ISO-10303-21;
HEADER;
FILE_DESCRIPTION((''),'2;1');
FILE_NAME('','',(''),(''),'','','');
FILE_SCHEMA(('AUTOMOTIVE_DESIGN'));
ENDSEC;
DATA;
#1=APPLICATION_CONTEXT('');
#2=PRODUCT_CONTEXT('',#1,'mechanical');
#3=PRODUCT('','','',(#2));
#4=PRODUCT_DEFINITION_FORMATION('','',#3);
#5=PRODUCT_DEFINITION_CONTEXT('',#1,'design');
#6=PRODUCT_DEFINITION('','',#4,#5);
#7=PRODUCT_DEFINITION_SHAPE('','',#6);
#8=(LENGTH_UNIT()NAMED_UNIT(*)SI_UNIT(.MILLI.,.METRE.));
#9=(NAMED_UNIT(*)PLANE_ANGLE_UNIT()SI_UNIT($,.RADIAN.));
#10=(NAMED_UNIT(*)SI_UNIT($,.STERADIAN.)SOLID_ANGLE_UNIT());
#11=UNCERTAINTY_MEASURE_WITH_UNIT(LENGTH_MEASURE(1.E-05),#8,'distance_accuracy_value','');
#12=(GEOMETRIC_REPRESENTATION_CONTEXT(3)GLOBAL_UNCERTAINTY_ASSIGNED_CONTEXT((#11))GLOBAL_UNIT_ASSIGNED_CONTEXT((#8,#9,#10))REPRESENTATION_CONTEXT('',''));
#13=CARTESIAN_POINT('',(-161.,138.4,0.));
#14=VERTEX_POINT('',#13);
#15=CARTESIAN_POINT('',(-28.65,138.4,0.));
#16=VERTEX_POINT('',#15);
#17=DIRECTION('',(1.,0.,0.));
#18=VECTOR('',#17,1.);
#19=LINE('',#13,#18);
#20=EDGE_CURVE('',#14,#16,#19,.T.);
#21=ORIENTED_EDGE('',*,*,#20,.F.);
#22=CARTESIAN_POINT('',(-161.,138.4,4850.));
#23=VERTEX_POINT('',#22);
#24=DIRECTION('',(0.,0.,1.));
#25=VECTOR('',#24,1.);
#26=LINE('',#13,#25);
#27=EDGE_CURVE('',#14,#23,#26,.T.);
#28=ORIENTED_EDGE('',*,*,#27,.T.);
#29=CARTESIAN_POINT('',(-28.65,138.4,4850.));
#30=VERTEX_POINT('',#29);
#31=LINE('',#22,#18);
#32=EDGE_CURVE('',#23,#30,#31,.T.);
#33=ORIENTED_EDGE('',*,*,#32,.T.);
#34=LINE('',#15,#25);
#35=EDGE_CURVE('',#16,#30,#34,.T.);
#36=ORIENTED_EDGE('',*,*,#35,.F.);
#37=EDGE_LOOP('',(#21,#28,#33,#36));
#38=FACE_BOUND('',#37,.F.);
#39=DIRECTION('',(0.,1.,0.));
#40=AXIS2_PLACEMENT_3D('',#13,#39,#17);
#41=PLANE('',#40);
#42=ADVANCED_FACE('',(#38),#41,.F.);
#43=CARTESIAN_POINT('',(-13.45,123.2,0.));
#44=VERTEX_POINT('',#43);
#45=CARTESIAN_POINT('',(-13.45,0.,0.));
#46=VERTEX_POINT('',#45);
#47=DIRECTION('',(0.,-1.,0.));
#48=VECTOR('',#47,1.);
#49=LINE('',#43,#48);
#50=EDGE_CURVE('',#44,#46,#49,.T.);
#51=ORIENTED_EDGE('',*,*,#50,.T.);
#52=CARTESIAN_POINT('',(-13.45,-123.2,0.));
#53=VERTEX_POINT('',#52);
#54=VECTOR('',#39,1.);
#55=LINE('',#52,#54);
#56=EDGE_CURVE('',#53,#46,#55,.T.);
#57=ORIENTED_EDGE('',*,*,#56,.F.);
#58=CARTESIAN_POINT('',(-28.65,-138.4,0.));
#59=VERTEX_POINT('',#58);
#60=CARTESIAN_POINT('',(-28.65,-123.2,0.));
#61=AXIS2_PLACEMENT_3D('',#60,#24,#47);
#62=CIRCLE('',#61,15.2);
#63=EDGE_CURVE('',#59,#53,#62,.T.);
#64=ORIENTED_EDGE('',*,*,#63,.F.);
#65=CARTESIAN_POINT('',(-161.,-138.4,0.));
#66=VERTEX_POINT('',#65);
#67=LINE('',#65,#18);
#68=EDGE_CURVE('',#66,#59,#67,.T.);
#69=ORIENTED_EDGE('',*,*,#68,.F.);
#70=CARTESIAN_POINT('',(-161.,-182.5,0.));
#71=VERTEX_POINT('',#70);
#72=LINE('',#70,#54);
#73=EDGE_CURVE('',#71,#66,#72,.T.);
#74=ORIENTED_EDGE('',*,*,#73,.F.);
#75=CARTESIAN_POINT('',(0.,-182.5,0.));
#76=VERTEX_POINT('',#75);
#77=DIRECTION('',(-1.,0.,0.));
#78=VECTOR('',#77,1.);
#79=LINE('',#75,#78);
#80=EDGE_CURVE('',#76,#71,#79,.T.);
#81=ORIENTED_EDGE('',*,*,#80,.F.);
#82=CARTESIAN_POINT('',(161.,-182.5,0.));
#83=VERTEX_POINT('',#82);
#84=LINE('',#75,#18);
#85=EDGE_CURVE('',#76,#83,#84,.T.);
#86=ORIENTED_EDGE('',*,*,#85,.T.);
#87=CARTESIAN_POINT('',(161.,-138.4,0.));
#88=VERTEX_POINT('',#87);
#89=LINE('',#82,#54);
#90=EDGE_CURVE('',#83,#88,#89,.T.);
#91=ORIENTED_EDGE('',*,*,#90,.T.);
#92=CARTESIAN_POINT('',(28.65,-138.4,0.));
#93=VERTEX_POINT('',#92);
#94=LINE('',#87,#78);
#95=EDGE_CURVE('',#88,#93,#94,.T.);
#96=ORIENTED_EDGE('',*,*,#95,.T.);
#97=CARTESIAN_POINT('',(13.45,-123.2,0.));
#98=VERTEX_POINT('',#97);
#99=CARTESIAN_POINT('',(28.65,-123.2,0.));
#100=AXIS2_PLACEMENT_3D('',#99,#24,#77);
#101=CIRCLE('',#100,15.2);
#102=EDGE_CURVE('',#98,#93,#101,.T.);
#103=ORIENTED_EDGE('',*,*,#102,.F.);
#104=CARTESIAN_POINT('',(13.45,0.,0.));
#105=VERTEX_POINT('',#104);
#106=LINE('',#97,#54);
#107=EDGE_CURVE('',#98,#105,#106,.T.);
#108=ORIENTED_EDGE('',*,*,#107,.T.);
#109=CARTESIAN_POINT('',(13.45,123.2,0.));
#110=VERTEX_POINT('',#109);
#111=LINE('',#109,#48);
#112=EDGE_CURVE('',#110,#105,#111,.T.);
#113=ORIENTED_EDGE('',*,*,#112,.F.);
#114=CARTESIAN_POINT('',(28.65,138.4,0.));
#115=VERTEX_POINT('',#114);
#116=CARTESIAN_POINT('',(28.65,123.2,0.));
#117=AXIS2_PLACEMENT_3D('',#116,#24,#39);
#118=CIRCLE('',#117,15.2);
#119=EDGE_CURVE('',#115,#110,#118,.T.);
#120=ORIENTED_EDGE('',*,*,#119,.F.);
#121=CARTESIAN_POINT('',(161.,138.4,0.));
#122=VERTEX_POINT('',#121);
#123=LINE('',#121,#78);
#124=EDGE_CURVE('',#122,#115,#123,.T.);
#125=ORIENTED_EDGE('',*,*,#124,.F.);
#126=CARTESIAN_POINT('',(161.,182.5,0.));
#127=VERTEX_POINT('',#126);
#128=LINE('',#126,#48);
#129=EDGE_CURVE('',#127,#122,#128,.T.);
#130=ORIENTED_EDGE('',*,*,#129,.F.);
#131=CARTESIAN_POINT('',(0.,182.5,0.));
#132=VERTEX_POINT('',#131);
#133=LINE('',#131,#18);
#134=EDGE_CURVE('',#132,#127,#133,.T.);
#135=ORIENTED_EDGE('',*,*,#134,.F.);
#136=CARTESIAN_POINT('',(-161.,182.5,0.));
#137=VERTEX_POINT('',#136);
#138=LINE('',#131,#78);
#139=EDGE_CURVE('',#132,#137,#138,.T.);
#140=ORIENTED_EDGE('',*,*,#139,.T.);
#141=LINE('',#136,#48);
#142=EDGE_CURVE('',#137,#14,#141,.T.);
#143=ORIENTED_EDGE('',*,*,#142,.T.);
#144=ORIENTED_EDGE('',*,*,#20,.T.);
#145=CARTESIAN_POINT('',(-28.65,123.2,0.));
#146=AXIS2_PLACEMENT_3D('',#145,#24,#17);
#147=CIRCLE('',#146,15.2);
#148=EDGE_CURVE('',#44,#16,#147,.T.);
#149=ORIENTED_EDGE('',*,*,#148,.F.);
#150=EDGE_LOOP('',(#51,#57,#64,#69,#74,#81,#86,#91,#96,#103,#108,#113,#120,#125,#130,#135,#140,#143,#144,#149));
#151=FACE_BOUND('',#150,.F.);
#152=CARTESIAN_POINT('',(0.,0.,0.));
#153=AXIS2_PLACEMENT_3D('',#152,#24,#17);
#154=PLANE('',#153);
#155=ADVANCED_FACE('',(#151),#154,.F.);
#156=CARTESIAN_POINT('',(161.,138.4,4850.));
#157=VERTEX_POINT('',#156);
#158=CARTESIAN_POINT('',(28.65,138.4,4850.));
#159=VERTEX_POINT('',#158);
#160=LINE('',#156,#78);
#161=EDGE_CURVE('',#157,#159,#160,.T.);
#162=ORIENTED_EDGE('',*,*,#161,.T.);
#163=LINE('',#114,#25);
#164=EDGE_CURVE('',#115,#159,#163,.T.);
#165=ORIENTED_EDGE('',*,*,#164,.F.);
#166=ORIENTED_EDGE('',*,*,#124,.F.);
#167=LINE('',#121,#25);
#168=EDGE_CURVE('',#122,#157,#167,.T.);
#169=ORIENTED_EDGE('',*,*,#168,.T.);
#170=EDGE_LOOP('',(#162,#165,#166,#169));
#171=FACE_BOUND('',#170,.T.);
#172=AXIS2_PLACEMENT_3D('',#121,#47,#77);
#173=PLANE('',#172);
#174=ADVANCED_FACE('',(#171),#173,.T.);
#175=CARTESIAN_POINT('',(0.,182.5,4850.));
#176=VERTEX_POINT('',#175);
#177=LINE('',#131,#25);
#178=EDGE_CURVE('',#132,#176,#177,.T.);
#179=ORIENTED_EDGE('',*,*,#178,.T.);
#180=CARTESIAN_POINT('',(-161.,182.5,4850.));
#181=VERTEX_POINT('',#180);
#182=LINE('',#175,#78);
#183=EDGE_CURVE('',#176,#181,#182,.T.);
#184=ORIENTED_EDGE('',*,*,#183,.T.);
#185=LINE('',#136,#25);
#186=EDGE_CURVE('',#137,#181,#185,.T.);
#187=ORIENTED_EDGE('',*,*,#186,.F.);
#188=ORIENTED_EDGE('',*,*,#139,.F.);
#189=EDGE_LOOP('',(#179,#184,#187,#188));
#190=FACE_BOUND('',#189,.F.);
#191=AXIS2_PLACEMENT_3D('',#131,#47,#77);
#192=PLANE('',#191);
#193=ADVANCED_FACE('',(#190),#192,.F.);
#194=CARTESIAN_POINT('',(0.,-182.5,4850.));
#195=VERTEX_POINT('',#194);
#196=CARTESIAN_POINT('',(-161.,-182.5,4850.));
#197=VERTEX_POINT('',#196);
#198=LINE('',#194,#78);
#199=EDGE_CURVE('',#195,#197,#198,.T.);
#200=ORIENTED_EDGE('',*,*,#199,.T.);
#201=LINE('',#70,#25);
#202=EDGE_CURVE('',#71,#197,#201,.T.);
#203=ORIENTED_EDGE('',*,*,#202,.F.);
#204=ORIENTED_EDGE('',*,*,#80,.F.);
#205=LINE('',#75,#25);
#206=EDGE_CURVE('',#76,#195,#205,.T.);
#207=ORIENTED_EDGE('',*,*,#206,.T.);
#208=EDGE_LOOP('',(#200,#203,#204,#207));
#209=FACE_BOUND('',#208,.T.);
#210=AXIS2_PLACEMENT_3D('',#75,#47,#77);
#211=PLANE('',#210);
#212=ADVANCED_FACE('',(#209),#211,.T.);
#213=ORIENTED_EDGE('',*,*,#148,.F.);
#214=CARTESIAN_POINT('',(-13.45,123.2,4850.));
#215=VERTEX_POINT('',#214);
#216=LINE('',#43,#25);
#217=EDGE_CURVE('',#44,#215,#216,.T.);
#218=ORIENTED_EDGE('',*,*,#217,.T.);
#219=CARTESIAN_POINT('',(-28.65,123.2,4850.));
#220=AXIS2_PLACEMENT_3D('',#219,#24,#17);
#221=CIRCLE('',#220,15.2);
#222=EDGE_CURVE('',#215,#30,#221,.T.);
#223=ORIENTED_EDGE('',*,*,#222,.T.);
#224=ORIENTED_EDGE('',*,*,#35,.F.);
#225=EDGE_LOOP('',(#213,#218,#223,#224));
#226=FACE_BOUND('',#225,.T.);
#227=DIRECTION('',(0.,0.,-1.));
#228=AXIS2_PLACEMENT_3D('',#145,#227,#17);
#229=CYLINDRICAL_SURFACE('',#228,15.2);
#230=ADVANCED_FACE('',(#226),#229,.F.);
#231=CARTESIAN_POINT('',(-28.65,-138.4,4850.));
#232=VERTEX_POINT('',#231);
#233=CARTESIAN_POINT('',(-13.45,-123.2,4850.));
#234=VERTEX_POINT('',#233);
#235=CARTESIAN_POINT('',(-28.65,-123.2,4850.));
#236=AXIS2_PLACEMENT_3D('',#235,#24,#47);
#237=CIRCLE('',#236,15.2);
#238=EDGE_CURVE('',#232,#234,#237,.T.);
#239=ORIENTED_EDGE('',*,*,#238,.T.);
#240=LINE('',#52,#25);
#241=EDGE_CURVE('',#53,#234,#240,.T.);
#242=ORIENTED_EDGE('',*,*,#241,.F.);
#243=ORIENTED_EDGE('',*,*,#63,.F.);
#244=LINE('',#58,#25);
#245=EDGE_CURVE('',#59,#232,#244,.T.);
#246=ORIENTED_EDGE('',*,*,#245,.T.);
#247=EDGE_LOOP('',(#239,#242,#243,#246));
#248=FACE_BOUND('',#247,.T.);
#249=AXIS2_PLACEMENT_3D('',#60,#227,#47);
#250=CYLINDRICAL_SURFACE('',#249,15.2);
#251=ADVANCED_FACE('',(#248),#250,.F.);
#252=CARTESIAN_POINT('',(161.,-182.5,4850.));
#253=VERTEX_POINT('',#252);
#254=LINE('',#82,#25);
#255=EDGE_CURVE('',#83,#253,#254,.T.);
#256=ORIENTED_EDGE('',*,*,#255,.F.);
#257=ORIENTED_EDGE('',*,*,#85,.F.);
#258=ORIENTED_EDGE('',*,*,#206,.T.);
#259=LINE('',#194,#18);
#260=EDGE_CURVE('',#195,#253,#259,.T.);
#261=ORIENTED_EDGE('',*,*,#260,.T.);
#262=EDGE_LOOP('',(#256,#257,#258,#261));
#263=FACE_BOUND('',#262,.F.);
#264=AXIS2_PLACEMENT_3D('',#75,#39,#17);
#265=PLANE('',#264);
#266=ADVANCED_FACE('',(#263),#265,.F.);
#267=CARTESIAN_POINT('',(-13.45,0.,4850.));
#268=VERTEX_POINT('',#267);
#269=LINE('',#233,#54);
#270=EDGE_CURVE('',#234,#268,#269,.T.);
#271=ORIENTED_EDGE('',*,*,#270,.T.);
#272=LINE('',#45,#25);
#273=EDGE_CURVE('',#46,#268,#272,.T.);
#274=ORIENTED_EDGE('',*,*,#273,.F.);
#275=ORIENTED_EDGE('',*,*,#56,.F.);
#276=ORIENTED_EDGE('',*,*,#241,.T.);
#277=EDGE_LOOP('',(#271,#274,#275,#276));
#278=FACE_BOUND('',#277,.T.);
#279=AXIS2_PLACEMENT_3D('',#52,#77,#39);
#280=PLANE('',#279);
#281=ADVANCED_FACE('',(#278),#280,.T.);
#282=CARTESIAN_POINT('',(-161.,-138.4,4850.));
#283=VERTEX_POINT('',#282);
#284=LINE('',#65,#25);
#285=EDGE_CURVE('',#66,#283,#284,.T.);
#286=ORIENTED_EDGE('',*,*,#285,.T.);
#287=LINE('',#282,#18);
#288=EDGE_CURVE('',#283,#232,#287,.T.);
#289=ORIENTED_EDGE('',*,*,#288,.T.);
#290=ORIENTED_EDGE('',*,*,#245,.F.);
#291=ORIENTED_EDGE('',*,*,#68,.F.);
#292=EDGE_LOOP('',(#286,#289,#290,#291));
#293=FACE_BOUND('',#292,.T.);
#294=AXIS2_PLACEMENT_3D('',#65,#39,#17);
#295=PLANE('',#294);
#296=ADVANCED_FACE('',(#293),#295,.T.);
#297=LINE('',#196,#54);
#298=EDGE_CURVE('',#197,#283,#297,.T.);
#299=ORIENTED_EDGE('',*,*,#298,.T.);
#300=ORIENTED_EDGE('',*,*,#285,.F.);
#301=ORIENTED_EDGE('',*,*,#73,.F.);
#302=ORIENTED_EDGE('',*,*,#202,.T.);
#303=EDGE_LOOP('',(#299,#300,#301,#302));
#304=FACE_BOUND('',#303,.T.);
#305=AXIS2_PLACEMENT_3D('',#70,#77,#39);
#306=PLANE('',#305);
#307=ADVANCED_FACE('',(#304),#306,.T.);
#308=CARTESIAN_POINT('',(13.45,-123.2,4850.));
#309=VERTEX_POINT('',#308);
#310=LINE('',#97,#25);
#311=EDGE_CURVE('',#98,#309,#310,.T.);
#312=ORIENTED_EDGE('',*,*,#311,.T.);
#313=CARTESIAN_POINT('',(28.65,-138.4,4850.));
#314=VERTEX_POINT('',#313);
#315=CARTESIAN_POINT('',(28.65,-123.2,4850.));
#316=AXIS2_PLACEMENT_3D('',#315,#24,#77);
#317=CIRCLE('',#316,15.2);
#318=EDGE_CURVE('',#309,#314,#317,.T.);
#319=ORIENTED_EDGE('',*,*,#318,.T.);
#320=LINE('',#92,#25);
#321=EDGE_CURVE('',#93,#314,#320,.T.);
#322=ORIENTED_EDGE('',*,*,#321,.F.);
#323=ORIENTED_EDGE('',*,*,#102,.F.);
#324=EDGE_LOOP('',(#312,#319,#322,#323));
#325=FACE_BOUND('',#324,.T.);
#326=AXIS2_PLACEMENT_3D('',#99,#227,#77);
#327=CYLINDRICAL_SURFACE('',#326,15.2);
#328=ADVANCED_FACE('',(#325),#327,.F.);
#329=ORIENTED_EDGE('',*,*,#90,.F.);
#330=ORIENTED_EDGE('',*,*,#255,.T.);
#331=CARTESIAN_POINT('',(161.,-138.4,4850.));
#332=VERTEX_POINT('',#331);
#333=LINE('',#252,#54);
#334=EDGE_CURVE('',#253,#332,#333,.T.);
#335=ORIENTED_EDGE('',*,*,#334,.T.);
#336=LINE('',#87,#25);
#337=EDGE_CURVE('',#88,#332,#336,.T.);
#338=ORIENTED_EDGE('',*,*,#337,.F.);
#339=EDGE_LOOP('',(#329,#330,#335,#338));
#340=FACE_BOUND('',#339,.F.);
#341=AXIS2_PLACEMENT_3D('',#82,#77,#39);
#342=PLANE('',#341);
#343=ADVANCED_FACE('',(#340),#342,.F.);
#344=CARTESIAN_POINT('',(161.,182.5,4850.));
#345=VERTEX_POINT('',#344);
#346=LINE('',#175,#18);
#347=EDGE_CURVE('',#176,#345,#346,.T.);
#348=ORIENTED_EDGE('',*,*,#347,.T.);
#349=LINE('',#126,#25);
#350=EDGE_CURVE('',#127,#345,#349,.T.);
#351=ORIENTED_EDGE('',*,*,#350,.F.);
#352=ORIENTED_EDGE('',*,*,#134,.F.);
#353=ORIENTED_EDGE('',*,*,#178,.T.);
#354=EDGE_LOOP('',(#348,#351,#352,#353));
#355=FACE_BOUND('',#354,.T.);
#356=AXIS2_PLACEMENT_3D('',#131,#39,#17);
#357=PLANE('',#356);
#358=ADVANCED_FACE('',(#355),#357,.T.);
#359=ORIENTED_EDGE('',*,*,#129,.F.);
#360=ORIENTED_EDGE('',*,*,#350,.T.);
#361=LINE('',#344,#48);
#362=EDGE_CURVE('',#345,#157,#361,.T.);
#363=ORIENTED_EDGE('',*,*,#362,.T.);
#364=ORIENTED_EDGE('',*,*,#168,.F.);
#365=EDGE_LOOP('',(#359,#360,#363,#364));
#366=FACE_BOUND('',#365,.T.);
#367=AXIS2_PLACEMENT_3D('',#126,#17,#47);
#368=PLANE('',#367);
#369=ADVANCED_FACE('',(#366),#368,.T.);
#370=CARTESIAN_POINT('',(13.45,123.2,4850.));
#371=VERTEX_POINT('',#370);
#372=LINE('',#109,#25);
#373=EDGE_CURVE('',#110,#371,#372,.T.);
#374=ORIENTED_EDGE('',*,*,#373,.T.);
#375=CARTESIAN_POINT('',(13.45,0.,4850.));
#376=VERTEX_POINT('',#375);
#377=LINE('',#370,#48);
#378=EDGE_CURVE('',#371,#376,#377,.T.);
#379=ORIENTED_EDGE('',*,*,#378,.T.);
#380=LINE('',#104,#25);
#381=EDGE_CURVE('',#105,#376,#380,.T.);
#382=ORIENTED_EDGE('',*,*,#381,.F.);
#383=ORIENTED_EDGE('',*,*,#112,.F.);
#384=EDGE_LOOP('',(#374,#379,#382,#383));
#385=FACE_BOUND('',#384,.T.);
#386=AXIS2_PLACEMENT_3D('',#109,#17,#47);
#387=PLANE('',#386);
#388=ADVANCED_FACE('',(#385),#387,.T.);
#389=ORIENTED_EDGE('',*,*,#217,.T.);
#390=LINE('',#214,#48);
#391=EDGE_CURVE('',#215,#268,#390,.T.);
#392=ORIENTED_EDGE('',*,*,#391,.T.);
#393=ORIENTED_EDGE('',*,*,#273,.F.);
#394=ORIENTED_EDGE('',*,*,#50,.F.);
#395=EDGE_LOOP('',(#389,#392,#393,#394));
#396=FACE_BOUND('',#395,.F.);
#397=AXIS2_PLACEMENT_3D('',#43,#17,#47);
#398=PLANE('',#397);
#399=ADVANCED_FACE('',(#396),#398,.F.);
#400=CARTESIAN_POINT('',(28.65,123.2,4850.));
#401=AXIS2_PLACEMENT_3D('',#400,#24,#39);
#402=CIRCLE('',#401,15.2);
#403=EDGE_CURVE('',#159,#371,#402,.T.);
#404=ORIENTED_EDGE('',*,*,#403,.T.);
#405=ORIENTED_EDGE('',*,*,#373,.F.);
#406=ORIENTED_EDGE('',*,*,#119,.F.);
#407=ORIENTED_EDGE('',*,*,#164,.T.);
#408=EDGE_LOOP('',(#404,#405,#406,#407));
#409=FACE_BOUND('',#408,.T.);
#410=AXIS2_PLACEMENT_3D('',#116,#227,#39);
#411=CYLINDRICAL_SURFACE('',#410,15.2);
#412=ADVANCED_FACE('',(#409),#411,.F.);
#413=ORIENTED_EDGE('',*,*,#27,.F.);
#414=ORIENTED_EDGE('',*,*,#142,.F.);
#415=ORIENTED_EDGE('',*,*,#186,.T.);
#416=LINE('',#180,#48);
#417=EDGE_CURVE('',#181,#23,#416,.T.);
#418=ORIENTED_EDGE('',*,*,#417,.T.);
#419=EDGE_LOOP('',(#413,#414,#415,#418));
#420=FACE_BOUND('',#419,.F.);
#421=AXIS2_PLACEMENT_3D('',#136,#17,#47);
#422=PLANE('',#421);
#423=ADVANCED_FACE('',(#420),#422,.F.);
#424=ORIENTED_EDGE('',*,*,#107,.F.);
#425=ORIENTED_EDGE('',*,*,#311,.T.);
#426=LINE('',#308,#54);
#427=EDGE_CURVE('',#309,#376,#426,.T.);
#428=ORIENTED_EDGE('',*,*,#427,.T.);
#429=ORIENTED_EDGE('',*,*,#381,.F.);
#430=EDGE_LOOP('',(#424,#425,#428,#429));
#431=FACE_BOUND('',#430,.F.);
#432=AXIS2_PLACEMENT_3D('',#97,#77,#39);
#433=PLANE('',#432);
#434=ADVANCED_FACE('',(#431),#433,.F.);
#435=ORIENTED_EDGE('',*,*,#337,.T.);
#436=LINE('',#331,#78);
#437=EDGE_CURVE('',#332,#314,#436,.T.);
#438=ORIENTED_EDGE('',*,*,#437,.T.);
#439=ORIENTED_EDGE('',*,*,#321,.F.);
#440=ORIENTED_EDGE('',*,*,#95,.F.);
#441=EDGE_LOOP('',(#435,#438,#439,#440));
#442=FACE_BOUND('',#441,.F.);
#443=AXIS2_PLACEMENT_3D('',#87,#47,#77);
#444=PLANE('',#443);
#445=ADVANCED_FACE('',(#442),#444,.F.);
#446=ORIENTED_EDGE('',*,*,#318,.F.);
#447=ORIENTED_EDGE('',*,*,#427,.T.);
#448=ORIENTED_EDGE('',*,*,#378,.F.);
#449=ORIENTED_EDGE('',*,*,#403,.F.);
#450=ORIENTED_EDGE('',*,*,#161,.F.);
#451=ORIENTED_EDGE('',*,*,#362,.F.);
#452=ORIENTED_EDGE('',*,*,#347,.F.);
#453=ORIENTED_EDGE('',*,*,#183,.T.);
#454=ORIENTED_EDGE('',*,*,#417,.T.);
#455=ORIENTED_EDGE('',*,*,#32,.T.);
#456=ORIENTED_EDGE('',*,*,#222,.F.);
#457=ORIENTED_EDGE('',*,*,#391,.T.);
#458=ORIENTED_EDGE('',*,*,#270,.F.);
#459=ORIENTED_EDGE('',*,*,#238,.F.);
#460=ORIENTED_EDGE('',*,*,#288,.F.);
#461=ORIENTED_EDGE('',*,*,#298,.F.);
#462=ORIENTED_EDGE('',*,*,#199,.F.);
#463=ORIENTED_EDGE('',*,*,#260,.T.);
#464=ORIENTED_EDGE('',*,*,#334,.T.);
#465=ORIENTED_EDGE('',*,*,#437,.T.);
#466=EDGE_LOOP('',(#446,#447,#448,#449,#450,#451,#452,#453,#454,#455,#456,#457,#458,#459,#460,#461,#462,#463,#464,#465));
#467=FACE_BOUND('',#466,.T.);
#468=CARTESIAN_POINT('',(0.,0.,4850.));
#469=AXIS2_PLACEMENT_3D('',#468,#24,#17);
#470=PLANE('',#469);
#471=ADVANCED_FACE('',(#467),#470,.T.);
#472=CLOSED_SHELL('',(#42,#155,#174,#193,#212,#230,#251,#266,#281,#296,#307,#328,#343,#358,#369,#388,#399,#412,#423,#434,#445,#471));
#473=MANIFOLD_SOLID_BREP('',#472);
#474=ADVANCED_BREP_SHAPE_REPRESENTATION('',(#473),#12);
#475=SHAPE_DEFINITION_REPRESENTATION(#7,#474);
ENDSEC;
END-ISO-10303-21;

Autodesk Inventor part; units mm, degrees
ref_plane "YZ Plane" through (0, 0, 0) normal (1, 0, 0) x (0, 1, 0)
ref_plane "Start plane" through (0, 0, 0) normal (0, 0, 1) x (1, 0, 0)
ref_plane "End plane" through (0, 0, 4850) normal (0, 0, 1) x (1, 0, 0)
sketch "Sketch" plane through (0, 0, 0) normal (0, 0, 1) x (1, 0, 0)
  line L0 (-161, -182.5) -> (-161, -138.4)
  line L1 (-161, -138.4) -> (-28.65, -138.4)
  line L2 (-13.45, -123.2) -> (-13.45, 0)
  line L3 (-13.45, 0) -> (0, 0) construction
  line L4 (0, 0) -> (0, -182.5) construction
  line L5 (0, -182.5) -> (-161, -182.5)
  line L6 (-60, 0) -> (80, 0) construction
  line L7 (0, -60) -> (0, 80) construction
  line L8 (161, -182.5) -> (161, -138.4)
  line L9 (161, -138.4) -> (28.65, -138.4)
  line L10 (13.45, -123.2) -> (13.45, 0)
  line L11 (13.45, 0) -> (0, 0) construction
  line L12 (0, -182.5) -> (161, -182.5)
  line L13 (-161, 182.5) -> (-161, 138.4)
  line L14 (-161, 138.4) -> (-28.65, 138.4)
  line L15 (-13.45, 123.2) -> (-13.45, 0)
  line L16 (0, 182.5) -> (-161, 182.5)
  line L17 (161, 182.5) -> (161, 138.4)
  line L18 (161, 138.4) -> (28.65, 138.4)
  line L19 (0, 182.5) -> (161, 182.5)
  line L20 (13.45, 123.2) -> (13.45, 0)
  arc A0 (-13.45, 123.2) -> (-28.65, 138.4) centre (-28.65, 123.2) ccw
  arc A1 (28.65, 138.4) -> (13.45, 123.2) centre (28.65, 123.2) ccw
  arc A2 (13.45, -123.2) -> (28.65, -138.4) centre (28.65, -123.2) ccw
  arc A3 (-28.65, -138.4) -> (-13.45, -123.2) centre (-28.65, -123.2) ccw
  line L21 (0, 108) -> (0, -88) construction
  line L22 (-88, 0) -> (108, 0) construction
  point P0 (-13.45, -138.4)
  point P1 (13.45, -138.4)
  point P2 (-13.45, 138.4)
  point P3 (13.45, 138.4)
  dimension "d1" = 182.5
  dimension "d2" = 44.1
  dimension "d3" = 161
  dimension "d4" = 13.45
  dimension "d10" = 15.2
extrude "Body" add sketch "Sketch" along normal up to surface (4850 mm away) from surface at 0
sketch "Sketch4" plane through (0, 0, 0) normal (0, 0, 1) x (1, 0, 0)
  line L0 (0, 0) -> (10, 0)
ref_plane "Work Plane3" through (0, 0, 0) normal (0, -1, 0) x (1, 0, 0)
sketch "Sketch5" plane through (0, 0, 0) normal (0, -1, 0) x (1, 0, 0)
  line L0 (-2, 0) -> (12, 0) projected
  line L1 (-2, 4850) -> (12, 4850) projected
  dimension "d14" = 4850
equation "\"d1\" = 0.5 * G_H"
equation "\"d2\" = G_T1"
equation "\"d3\" = 0.5 * G_W"
equation "\"d4\" = 0.5 * G_T"
equation "\"d10\" = G_IR"
equation "\"d5\" = G_L"
equation "\"G_W\" = 322"
equation "\"G_H\" = 365"
equation "\"G_T\" = 26.9"
equation "\"G_T1\" = 44.1"
equation "\"G_IR\" = 15.2"
equation "\"G_L\" = d14"
equation "\"G_OFFSET_START\" = 0"
equation "\"G_OFFSET_END\" = 0"
properties part number "AS 3679 - 310 UC - 283 - 4850" material "Steel, Mild"
